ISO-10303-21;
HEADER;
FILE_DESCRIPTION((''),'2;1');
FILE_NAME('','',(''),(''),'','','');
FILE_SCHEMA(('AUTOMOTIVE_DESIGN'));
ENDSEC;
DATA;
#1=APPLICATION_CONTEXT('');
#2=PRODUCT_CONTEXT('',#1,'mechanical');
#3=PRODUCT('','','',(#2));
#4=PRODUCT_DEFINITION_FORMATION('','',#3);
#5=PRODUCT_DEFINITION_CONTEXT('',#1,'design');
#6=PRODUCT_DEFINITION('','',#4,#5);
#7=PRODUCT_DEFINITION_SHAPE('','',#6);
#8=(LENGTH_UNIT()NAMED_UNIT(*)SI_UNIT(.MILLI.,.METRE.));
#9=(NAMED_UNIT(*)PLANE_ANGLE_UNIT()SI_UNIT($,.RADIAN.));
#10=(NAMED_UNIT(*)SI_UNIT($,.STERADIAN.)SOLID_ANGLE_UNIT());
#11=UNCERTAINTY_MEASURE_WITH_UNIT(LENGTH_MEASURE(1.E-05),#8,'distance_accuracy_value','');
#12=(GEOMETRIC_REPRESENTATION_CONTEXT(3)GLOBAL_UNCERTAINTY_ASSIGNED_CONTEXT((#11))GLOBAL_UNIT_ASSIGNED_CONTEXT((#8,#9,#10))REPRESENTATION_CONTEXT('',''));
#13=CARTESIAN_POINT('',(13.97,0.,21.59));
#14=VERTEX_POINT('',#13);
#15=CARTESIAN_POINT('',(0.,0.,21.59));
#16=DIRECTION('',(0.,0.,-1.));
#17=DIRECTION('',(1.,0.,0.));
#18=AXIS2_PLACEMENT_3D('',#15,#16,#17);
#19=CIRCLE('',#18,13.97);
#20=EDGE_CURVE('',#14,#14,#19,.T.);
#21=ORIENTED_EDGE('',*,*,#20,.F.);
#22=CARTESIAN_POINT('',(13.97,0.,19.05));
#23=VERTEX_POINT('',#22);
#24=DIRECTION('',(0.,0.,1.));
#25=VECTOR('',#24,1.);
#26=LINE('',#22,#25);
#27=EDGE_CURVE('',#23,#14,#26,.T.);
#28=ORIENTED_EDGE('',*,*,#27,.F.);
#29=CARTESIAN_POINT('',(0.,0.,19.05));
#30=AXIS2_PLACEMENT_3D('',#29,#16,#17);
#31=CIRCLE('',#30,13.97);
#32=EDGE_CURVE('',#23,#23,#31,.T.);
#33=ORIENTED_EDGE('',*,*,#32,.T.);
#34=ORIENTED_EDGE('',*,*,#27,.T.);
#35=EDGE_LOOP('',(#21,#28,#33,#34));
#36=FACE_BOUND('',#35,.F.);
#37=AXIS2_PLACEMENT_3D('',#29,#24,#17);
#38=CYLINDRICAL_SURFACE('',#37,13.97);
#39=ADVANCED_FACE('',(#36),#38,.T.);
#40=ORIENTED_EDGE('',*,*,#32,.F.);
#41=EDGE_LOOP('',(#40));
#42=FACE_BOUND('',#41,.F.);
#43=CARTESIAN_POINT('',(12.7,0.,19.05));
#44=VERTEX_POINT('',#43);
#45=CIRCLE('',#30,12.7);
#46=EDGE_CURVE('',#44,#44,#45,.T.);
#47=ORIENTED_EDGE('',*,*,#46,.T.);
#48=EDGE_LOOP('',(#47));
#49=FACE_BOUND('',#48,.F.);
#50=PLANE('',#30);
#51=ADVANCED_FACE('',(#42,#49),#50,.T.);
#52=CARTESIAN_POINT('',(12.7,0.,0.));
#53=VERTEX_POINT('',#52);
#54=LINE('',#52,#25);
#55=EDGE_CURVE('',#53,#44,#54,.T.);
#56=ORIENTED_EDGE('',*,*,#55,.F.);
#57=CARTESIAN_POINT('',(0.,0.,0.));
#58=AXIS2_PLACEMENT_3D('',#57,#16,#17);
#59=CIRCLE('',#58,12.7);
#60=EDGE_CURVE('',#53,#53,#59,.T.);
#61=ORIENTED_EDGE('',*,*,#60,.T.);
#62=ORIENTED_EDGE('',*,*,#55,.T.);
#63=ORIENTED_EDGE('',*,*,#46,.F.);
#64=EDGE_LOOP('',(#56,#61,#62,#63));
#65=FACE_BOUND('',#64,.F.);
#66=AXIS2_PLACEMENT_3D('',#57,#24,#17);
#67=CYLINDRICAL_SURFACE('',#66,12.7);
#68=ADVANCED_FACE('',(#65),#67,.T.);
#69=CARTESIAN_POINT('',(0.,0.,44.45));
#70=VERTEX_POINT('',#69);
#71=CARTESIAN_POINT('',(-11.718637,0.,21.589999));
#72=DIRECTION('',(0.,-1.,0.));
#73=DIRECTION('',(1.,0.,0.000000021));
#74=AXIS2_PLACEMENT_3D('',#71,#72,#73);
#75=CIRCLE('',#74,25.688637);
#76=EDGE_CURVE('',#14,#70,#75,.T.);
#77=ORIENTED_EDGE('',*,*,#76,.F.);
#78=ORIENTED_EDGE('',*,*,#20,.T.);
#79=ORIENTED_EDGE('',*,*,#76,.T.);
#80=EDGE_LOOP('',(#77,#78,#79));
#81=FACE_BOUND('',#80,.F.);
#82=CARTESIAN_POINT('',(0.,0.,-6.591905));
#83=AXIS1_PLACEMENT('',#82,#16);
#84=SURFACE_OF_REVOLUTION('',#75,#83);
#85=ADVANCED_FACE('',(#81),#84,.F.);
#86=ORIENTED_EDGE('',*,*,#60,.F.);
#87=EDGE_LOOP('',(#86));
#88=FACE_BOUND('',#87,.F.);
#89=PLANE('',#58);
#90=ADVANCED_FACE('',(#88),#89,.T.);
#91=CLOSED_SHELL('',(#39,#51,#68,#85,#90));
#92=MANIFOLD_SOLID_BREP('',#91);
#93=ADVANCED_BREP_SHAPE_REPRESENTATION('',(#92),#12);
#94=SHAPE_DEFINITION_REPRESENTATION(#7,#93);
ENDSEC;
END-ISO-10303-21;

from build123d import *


with BuildPart() as f1:
    # F0 (on Front) → F1 (revolve)
    with BuildSketch(Plane.XZ):
        with BuildLine():
            ThreePointArc((13.97, 21.59), (10.20101, 34.98534), (0, 44.45))
            Line((0, 44.45), (0, 0))
            Line((0, 0), (12.7, 0))
            Line((12.7, 0), (12.7, 19.05))
            Line((12.7, 19.05), (13.97, 19.05))
            Line((13.97, 19.05), (13.97, 21.59))
        make_face()
    revolve(axis=Axis((0, 0, -6.591905), (0, 0, -1)))


solid = f1.part
